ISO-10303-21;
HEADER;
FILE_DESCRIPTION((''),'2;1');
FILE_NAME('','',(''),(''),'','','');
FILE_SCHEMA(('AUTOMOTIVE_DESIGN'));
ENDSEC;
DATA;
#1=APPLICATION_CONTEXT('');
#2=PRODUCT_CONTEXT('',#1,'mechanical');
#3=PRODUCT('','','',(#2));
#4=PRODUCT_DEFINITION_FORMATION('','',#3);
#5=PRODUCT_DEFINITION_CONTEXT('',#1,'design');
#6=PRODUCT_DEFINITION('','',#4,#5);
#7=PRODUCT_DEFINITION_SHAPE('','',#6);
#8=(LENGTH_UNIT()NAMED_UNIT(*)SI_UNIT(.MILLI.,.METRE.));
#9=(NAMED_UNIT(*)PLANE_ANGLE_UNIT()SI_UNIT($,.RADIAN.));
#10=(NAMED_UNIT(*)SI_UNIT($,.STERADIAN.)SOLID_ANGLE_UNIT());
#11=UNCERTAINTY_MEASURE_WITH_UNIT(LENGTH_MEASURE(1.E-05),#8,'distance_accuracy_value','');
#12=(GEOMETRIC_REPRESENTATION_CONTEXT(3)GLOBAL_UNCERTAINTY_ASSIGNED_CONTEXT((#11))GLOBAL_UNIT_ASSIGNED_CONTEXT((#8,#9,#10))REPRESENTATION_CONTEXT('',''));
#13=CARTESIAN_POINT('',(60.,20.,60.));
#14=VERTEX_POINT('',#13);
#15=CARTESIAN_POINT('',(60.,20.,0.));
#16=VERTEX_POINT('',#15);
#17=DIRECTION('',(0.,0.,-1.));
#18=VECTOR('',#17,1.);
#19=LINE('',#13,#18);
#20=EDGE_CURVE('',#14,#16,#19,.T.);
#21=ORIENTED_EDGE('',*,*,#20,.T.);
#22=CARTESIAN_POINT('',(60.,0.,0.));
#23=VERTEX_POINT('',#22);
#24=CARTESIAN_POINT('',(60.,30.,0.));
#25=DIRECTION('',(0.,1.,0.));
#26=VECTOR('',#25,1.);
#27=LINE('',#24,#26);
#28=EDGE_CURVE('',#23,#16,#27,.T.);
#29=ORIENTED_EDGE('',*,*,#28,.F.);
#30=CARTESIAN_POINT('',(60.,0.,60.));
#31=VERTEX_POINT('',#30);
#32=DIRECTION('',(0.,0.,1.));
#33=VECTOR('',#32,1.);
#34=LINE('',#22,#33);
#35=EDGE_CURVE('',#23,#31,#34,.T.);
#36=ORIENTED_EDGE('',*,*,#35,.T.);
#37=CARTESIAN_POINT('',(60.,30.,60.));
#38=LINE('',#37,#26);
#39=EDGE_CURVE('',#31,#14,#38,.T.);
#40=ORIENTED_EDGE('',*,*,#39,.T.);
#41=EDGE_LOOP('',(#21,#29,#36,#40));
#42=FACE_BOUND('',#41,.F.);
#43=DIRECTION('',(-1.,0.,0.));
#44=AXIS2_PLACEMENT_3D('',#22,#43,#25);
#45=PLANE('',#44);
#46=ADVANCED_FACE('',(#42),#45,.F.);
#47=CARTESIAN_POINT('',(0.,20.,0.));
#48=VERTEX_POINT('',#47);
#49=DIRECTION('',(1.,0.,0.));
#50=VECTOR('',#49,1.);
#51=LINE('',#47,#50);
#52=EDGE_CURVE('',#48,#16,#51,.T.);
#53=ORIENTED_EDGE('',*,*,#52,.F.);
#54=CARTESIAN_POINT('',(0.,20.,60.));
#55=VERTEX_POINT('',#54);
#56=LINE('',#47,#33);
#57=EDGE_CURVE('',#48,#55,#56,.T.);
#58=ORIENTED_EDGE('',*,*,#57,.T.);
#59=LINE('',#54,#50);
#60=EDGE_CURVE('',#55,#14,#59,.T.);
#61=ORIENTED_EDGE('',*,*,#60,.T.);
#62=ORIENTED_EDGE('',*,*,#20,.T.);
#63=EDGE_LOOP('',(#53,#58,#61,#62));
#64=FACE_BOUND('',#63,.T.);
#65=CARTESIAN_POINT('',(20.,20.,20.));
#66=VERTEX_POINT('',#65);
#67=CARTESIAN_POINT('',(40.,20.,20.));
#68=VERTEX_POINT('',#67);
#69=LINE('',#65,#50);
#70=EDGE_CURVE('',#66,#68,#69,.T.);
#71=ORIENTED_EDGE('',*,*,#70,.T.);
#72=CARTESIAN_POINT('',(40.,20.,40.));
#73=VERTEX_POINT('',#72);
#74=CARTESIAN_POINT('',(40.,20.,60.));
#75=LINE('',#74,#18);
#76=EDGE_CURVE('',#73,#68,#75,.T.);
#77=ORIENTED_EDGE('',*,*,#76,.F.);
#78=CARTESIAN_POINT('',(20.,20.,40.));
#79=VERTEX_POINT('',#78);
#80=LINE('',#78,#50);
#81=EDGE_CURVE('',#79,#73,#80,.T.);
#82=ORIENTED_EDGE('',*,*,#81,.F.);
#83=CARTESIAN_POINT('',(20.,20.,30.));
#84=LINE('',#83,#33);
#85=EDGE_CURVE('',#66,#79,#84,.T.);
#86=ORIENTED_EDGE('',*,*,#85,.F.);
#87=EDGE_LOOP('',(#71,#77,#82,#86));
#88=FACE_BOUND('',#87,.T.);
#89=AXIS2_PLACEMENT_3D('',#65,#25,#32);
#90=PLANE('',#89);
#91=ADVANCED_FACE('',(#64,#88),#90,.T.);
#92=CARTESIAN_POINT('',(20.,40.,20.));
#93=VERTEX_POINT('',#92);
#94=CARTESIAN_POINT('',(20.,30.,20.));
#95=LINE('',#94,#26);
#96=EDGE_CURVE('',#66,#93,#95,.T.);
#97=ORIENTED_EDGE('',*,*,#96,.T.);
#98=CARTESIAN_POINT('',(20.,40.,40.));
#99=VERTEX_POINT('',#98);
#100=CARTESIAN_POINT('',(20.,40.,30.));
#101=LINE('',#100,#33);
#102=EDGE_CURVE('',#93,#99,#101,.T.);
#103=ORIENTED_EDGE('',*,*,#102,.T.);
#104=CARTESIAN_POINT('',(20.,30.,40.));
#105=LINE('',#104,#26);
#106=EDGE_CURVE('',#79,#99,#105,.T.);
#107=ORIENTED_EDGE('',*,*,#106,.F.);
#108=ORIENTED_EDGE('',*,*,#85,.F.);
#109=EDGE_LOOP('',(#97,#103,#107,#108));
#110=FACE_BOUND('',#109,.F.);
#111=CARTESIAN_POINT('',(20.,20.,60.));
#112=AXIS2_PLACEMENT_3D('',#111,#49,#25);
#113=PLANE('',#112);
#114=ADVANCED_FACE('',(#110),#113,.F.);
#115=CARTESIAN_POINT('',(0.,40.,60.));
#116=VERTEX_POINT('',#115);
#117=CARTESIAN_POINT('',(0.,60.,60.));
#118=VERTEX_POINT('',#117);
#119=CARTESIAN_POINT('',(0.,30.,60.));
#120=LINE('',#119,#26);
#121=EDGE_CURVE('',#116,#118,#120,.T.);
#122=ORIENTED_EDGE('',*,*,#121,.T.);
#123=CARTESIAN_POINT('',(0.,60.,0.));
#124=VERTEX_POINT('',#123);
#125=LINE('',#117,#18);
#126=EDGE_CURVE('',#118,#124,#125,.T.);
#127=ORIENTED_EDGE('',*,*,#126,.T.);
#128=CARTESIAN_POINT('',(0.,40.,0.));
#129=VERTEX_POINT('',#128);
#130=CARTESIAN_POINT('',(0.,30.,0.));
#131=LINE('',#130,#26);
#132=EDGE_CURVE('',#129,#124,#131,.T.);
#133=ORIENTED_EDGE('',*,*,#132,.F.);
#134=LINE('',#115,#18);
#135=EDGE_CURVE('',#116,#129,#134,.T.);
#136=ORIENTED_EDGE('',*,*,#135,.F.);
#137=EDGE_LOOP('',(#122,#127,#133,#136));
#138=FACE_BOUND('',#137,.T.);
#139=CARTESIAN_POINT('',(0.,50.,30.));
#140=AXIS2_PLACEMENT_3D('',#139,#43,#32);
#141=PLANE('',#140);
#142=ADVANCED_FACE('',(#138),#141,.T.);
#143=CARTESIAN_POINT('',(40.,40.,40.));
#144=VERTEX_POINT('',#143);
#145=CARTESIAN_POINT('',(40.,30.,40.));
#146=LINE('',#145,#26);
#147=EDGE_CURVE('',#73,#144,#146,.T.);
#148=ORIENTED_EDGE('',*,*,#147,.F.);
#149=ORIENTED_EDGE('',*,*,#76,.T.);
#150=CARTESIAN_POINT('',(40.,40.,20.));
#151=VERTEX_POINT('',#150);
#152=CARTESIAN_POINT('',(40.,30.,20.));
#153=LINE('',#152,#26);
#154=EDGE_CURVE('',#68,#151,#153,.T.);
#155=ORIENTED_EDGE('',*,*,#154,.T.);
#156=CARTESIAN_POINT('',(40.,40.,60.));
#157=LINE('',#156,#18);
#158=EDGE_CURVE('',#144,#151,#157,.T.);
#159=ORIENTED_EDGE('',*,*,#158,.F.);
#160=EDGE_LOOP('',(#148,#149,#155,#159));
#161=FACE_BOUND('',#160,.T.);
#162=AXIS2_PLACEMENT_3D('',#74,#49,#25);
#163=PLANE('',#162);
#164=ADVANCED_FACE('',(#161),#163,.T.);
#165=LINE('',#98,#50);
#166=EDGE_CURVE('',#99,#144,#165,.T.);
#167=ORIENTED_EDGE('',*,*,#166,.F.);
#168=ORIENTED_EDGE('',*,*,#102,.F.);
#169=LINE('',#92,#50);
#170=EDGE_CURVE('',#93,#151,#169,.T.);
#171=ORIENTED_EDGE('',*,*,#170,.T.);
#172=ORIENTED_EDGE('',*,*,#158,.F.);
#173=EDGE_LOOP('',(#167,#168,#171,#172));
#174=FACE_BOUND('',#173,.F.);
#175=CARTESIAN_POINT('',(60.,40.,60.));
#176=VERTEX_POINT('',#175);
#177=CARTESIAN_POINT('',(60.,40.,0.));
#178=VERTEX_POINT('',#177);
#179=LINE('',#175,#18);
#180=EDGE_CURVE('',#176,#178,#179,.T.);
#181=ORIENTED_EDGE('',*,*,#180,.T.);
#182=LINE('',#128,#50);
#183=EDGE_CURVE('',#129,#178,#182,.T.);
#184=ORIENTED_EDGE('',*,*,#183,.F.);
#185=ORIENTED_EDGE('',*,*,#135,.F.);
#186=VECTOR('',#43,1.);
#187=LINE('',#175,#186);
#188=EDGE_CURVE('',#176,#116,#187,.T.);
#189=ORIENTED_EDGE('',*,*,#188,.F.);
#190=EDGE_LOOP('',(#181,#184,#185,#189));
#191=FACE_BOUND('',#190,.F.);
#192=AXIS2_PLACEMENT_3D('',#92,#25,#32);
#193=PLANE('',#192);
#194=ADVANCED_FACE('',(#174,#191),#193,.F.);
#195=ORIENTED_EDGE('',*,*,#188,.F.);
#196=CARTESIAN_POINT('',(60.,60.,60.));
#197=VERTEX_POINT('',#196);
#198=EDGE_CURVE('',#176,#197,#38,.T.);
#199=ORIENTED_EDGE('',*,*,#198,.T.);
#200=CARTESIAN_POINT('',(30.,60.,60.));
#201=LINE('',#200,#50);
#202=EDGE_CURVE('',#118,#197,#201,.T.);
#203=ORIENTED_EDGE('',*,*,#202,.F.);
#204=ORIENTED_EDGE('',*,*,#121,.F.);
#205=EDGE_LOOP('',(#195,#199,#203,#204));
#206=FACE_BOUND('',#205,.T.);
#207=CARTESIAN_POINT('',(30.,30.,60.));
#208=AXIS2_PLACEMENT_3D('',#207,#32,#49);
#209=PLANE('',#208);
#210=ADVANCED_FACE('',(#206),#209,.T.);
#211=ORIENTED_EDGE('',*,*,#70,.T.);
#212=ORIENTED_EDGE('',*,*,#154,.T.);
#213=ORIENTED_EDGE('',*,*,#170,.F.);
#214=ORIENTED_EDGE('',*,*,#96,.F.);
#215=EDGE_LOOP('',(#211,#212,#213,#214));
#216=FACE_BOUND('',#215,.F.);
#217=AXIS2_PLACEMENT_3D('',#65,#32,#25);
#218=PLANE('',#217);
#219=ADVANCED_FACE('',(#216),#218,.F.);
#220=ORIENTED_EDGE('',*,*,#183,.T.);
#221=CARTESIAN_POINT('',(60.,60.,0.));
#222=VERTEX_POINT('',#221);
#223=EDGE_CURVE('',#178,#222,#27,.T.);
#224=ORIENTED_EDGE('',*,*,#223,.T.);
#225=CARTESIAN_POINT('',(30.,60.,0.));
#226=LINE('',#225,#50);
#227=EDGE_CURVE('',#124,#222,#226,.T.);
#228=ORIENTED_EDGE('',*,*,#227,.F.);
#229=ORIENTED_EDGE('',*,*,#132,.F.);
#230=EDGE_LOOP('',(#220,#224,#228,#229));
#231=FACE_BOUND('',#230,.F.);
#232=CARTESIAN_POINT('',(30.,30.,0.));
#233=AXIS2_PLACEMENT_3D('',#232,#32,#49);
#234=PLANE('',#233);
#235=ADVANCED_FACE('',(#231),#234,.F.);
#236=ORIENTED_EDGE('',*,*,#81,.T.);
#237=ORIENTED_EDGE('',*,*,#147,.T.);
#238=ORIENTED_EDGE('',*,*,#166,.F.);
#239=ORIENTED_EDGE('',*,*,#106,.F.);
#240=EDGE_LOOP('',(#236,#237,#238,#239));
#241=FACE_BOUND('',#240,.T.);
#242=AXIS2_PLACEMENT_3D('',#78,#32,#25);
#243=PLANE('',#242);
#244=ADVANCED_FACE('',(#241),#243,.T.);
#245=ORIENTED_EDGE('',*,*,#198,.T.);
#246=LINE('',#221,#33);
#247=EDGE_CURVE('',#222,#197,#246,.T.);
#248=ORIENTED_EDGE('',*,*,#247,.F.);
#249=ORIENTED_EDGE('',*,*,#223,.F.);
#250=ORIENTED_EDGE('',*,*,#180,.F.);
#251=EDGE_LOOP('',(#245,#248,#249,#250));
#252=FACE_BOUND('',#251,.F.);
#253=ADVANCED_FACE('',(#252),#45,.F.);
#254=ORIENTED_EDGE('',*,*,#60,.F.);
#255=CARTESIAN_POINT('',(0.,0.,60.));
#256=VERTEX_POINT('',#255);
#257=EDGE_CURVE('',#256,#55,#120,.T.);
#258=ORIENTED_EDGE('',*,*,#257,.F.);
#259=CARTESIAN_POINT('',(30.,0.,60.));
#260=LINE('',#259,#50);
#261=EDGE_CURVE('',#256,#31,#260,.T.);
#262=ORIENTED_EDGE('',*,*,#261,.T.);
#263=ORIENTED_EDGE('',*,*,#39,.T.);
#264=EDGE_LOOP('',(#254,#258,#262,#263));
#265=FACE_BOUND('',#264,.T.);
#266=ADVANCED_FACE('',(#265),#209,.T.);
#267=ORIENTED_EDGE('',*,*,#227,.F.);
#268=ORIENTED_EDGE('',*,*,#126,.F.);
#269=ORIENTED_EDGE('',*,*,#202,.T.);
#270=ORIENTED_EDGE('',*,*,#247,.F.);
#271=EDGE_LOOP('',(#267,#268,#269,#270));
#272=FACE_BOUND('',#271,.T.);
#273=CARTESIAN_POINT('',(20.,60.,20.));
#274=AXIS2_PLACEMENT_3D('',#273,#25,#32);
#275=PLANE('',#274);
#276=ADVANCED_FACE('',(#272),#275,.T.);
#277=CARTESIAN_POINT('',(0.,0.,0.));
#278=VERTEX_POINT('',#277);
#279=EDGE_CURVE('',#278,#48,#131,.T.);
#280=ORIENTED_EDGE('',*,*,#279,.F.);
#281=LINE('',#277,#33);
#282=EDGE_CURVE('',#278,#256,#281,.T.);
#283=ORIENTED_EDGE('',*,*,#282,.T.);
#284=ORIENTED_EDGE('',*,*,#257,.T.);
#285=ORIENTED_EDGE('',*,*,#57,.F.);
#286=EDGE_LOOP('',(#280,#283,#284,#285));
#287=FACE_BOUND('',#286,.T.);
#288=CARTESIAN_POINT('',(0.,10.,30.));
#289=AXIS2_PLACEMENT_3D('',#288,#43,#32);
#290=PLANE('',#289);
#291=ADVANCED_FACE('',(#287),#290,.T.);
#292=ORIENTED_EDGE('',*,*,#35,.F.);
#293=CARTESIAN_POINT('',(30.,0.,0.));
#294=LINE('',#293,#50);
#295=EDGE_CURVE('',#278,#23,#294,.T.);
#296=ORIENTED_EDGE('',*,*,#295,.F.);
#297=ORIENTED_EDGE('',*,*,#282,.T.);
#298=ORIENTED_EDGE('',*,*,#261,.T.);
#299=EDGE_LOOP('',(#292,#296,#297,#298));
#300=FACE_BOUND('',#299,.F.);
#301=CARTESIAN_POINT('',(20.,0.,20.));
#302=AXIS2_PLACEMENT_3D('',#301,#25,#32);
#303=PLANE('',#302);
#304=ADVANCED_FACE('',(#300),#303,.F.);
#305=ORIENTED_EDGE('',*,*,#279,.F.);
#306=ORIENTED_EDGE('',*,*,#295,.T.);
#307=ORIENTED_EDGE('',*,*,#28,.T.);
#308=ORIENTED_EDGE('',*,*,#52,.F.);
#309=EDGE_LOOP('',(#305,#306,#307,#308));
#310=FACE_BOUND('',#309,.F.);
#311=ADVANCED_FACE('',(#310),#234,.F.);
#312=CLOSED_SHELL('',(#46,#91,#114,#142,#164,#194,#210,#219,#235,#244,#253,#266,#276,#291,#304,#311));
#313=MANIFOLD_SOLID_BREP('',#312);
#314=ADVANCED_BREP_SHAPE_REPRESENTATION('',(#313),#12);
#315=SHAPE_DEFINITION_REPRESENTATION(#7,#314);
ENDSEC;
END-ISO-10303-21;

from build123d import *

# Parameters (mm, degrees)
SKETCH1_W           = 60
SKETCH1_H           = 60
BOSS_EXTRUDE1_DEPTH = 60
SKETCH2_W           = 20
SKETCH2_H           = 20
CUT_EXTRUDE1_DEPTH  = 60
SKETCH3_W           = 20
SKETCH3_H           = 20
CUT_EXTRUDE2_DEPTH  = 20
SKETCH4_W           = 20
SKETCH4_H           = 20
CUT_EXTRUDE3_DEPTH  = 20
SKETCH5_W           = 20
SKETCH5_H           = 20
BOSS_EXTRUDE2_DEPTH = 20


with BuildPart() as part:
    # Sketch1 → Boss-Extrude1 (new body)
    with BuildSketch(Plane.XY):
        with Locations((30, 30)):
            Rectangle(SKETCH1_W, SKETCH1_H)
    extrude(amount=BOSS_EXTRUDE1_DEPTH)

    # Sketch2 → Cut-Extrude1 (cut)
    with BuildSketch(Plane.XY.offset(60)):
        with Locations((10, 30)):
            Rectangle(SKETCH2_W, SKETCH2_H)
        with Locations((50, 30)):
            Rectangle(SKETCH2_W, SKETCH2_H)
    extrude(amount=-CUT_EXTRUDE1_DEPTH, mode=Mode.SUBTRACT)

    # Sketch3 → Cut-Extrude2 (cut)
    with BuildSketch(Plane.ZY):
        with Locations((30, 50)):
            Rectangle(SKETCH3_W, SKETCH3_H)
        with Locations((30, 10)):
            Rectangle(SKETCH3_W, SKETCH3_H)
    extrude(amount=-CUT_EXTRUDE2_DEPTH, mode=Mode.SUBTRACT)

    # Sketch4 → Cut-Extrude3 (cut)
    with BuildSketch(Plane.ZY.offset(-20)):
        with Locations((10, 30)):
            Rectangle(SKETCH4_W, SKETCH4_H)
        with Locations((50, 30)):
            Rectangle(SKETCH4_W, SKETCH4_H)
    extrude(amount=-CUT_EXTRUDE3_DEPTH, mode=Mode.SUBTRACT)

    # Sketch5 → Boss-Extrude2 (add)
    with BuildSketch(Plane.ZY.offset(-20)):
        with Locations((30, 50)):
            Rectangle(SKETCH5_W, SKETCH5_H)
        with Locations((30, 10)):
            Rectangle(SKETCH5_W, SKETCH5_H)
    extrude(amount=BOSS_EXTRUDE2_DEPTH)


solid = part.part
